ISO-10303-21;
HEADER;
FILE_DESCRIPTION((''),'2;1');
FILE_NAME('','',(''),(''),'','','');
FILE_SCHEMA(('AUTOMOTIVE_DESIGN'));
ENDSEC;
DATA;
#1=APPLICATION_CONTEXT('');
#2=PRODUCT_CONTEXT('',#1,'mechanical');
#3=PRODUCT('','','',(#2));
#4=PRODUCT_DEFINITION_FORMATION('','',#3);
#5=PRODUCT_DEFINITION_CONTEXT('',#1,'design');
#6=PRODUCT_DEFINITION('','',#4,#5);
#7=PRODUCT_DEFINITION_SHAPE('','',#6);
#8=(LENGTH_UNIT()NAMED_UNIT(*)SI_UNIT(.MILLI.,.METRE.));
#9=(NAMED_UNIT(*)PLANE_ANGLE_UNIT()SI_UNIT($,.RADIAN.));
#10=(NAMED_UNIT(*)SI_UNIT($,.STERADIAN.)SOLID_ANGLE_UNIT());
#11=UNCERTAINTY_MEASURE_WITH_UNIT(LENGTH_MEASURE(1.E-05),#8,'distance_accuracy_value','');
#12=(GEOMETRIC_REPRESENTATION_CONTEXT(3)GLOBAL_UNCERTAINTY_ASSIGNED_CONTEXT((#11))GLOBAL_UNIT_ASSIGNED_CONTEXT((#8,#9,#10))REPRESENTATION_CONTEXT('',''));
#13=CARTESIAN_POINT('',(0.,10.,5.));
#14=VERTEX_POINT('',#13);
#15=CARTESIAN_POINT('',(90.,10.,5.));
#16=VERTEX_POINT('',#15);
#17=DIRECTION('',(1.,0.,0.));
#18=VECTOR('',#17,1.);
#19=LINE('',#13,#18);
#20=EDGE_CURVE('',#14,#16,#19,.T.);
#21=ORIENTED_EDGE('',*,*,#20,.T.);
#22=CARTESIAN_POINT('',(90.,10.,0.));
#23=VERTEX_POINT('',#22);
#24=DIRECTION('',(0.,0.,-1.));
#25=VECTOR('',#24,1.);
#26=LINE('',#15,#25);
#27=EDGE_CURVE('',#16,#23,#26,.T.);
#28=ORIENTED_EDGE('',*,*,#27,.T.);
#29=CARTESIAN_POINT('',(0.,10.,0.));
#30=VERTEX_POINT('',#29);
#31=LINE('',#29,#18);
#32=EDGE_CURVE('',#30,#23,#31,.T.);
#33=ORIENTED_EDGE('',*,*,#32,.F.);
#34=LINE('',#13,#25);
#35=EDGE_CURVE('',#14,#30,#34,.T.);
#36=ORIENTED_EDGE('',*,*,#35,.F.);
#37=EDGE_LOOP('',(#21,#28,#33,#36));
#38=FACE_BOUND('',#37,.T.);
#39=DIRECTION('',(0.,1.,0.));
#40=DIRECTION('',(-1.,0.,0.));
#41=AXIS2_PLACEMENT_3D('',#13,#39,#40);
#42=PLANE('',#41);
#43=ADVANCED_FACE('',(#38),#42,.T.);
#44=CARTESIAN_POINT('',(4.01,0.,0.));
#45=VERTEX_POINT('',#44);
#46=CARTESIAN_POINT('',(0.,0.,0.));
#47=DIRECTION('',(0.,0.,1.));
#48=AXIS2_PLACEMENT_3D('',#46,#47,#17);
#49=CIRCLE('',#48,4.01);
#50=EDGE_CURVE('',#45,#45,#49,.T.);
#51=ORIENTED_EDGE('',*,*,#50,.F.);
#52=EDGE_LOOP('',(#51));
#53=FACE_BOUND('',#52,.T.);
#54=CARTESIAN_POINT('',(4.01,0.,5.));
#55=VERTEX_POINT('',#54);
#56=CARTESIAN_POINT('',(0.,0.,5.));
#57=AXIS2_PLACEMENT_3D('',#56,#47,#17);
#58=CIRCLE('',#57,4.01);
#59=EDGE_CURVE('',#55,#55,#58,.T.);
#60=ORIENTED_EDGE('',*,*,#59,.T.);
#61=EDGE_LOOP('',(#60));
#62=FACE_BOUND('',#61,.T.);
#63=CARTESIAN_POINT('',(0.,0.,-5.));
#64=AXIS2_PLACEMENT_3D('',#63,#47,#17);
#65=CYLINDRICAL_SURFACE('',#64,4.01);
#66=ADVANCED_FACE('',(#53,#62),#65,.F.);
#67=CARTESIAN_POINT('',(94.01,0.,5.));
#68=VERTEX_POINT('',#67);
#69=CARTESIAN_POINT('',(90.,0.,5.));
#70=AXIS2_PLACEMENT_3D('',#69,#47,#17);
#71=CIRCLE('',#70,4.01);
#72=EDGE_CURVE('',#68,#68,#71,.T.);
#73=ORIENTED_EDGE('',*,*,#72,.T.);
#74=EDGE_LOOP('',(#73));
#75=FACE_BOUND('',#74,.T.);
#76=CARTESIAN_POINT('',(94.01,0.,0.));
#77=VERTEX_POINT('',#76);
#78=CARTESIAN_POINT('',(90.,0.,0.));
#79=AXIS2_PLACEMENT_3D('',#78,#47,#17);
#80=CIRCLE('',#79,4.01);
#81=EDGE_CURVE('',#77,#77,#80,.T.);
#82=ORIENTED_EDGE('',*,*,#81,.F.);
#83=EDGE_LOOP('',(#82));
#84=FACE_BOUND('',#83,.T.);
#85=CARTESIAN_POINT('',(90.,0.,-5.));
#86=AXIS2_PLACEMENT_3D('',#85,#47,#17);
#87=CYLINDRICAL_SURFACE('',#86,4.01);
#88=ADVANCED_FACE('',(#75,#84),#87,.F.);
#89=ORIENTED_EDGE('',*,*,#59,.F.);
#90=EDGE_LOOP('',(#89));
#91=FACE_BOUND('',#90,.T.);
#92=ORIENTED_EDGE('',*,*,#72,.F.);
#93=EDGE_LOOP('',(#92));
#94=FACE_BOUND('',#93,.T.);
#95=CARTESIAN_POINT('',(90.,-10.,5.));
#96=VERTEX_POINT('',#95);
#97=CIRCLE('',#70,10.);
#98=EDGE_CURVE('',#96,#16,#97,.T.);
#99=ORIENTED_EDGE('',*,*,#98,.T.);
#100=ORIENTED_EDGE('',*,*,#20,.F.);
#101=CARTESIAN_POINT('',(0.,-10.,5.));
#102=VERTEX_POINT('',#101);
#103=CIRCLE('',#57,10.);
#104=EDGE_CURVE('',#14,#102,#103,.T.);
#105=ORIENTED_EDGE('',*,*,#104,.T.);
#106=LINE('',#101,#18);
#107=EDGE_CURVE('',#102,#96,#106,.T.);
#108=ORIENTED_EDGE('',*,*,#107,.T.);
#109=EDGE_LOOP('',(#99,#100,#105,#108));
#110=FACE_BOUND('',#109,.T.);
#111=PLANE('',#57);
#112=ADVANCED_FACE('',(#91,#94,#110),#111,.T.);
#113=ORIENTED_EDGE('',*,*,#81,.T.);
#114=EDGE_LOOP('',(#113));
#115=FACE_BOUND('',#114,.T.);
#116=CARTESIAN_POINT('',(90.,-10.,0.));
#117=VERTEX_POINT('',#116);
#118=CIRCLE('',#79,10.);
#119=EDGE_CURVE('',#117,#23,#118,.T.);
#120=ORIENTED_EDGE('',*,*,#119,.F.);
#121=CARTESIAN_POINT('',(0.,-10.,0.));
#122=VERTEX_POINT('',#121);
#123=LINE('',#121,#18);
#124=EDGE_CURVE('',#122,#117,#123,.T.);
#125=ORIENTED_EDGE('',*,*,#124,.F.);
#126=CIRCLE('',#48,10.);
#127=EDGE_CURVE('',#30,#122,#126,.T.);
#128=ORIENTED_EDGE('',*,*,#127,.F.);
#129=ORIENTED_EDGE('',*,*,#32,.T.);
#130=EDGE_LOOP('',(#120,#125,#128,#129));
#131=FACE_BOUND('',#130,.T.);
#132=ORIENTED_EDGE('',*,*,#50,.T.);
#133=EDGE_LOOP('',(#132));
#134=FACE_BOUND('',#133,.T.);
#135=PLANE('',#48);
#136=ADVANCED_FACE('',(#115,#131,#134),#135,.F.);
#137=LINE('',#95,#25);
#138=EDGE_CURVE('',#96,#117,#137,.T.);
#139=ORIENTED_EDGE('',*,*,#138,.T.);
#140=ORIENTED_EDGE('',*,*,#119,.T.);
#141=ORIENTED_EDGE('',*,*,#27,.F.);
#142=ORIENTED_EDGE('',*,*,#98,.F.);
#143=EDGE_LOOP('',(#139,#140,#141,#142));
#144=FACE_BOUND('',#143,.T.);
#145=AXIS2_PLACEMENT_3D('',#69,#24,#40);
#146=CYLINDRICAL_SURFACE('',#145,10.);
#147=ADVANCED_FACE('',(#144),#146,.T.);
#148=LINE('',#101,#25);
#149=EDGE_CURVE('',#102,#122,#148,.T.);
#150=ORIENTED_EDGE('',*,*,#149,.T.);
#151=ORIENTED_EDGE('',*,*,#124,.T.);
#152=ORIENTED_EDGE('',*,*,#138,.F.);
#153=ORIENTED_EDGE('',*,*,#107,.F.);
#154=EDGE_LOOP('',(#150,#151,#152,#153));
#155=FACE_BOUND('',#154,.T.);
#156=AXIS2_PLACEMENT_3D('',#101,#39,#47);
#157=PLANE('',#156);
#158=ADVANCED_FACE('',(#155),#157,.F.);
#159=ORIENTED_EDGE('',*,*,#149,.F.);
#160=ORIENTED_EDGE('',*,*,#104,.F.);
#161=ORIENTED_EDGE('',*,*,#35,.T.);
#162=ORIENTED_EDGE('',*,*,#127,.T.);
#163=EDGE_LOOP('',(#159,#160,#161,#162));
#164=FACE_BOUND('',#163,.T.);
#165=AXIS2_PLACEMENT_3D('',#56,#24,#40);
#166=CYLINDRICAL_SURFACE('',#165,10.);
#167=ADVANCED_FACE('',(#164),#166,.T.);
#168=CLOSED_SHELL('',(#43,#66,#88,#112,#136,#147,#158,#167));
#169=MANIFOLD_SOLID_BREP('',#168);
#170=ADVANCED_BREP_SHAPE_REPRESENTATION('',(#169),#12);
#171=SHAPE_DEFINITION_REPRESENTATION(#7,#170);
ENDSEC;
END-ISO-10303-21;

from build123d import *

# Parameters (mm, degrees)
BOSS_EXTRUDE1_DEPTH = 5
SKETCH2_R           = 4.01
CUT_EXTRUDE1_DEPTH  = 10


with BuildPart() as part:
    # Sketch1 → Boss-Extrude1 (new body)
    with BuildSketch(Plane.XY):
        with BuildLine():
            Line((90, 10), (0, 10))
            ThreePointArc((0, 10), (-10, 0), (0, -10))
            Line((0, -10), (90, -10))
            ThreePointArc((90, -10), (100, 0), (90, 10))
        make_face()
    extrude(amount=BOSS_EXTRUDE1_DEPTH)

    # Sketch2 → Cut-Extrude1 (cut)
    with BuildSketch(Plane.XY.offset(5)):
        Circle(SKETCH2_R)
        with Locations((90, 0)):
            Circle(SKETCH2_R)
    extrude(amount=-CUT_EXTRUDE1_DEPTH, mode=Mode.SUBTRACT)


solid = part.part
